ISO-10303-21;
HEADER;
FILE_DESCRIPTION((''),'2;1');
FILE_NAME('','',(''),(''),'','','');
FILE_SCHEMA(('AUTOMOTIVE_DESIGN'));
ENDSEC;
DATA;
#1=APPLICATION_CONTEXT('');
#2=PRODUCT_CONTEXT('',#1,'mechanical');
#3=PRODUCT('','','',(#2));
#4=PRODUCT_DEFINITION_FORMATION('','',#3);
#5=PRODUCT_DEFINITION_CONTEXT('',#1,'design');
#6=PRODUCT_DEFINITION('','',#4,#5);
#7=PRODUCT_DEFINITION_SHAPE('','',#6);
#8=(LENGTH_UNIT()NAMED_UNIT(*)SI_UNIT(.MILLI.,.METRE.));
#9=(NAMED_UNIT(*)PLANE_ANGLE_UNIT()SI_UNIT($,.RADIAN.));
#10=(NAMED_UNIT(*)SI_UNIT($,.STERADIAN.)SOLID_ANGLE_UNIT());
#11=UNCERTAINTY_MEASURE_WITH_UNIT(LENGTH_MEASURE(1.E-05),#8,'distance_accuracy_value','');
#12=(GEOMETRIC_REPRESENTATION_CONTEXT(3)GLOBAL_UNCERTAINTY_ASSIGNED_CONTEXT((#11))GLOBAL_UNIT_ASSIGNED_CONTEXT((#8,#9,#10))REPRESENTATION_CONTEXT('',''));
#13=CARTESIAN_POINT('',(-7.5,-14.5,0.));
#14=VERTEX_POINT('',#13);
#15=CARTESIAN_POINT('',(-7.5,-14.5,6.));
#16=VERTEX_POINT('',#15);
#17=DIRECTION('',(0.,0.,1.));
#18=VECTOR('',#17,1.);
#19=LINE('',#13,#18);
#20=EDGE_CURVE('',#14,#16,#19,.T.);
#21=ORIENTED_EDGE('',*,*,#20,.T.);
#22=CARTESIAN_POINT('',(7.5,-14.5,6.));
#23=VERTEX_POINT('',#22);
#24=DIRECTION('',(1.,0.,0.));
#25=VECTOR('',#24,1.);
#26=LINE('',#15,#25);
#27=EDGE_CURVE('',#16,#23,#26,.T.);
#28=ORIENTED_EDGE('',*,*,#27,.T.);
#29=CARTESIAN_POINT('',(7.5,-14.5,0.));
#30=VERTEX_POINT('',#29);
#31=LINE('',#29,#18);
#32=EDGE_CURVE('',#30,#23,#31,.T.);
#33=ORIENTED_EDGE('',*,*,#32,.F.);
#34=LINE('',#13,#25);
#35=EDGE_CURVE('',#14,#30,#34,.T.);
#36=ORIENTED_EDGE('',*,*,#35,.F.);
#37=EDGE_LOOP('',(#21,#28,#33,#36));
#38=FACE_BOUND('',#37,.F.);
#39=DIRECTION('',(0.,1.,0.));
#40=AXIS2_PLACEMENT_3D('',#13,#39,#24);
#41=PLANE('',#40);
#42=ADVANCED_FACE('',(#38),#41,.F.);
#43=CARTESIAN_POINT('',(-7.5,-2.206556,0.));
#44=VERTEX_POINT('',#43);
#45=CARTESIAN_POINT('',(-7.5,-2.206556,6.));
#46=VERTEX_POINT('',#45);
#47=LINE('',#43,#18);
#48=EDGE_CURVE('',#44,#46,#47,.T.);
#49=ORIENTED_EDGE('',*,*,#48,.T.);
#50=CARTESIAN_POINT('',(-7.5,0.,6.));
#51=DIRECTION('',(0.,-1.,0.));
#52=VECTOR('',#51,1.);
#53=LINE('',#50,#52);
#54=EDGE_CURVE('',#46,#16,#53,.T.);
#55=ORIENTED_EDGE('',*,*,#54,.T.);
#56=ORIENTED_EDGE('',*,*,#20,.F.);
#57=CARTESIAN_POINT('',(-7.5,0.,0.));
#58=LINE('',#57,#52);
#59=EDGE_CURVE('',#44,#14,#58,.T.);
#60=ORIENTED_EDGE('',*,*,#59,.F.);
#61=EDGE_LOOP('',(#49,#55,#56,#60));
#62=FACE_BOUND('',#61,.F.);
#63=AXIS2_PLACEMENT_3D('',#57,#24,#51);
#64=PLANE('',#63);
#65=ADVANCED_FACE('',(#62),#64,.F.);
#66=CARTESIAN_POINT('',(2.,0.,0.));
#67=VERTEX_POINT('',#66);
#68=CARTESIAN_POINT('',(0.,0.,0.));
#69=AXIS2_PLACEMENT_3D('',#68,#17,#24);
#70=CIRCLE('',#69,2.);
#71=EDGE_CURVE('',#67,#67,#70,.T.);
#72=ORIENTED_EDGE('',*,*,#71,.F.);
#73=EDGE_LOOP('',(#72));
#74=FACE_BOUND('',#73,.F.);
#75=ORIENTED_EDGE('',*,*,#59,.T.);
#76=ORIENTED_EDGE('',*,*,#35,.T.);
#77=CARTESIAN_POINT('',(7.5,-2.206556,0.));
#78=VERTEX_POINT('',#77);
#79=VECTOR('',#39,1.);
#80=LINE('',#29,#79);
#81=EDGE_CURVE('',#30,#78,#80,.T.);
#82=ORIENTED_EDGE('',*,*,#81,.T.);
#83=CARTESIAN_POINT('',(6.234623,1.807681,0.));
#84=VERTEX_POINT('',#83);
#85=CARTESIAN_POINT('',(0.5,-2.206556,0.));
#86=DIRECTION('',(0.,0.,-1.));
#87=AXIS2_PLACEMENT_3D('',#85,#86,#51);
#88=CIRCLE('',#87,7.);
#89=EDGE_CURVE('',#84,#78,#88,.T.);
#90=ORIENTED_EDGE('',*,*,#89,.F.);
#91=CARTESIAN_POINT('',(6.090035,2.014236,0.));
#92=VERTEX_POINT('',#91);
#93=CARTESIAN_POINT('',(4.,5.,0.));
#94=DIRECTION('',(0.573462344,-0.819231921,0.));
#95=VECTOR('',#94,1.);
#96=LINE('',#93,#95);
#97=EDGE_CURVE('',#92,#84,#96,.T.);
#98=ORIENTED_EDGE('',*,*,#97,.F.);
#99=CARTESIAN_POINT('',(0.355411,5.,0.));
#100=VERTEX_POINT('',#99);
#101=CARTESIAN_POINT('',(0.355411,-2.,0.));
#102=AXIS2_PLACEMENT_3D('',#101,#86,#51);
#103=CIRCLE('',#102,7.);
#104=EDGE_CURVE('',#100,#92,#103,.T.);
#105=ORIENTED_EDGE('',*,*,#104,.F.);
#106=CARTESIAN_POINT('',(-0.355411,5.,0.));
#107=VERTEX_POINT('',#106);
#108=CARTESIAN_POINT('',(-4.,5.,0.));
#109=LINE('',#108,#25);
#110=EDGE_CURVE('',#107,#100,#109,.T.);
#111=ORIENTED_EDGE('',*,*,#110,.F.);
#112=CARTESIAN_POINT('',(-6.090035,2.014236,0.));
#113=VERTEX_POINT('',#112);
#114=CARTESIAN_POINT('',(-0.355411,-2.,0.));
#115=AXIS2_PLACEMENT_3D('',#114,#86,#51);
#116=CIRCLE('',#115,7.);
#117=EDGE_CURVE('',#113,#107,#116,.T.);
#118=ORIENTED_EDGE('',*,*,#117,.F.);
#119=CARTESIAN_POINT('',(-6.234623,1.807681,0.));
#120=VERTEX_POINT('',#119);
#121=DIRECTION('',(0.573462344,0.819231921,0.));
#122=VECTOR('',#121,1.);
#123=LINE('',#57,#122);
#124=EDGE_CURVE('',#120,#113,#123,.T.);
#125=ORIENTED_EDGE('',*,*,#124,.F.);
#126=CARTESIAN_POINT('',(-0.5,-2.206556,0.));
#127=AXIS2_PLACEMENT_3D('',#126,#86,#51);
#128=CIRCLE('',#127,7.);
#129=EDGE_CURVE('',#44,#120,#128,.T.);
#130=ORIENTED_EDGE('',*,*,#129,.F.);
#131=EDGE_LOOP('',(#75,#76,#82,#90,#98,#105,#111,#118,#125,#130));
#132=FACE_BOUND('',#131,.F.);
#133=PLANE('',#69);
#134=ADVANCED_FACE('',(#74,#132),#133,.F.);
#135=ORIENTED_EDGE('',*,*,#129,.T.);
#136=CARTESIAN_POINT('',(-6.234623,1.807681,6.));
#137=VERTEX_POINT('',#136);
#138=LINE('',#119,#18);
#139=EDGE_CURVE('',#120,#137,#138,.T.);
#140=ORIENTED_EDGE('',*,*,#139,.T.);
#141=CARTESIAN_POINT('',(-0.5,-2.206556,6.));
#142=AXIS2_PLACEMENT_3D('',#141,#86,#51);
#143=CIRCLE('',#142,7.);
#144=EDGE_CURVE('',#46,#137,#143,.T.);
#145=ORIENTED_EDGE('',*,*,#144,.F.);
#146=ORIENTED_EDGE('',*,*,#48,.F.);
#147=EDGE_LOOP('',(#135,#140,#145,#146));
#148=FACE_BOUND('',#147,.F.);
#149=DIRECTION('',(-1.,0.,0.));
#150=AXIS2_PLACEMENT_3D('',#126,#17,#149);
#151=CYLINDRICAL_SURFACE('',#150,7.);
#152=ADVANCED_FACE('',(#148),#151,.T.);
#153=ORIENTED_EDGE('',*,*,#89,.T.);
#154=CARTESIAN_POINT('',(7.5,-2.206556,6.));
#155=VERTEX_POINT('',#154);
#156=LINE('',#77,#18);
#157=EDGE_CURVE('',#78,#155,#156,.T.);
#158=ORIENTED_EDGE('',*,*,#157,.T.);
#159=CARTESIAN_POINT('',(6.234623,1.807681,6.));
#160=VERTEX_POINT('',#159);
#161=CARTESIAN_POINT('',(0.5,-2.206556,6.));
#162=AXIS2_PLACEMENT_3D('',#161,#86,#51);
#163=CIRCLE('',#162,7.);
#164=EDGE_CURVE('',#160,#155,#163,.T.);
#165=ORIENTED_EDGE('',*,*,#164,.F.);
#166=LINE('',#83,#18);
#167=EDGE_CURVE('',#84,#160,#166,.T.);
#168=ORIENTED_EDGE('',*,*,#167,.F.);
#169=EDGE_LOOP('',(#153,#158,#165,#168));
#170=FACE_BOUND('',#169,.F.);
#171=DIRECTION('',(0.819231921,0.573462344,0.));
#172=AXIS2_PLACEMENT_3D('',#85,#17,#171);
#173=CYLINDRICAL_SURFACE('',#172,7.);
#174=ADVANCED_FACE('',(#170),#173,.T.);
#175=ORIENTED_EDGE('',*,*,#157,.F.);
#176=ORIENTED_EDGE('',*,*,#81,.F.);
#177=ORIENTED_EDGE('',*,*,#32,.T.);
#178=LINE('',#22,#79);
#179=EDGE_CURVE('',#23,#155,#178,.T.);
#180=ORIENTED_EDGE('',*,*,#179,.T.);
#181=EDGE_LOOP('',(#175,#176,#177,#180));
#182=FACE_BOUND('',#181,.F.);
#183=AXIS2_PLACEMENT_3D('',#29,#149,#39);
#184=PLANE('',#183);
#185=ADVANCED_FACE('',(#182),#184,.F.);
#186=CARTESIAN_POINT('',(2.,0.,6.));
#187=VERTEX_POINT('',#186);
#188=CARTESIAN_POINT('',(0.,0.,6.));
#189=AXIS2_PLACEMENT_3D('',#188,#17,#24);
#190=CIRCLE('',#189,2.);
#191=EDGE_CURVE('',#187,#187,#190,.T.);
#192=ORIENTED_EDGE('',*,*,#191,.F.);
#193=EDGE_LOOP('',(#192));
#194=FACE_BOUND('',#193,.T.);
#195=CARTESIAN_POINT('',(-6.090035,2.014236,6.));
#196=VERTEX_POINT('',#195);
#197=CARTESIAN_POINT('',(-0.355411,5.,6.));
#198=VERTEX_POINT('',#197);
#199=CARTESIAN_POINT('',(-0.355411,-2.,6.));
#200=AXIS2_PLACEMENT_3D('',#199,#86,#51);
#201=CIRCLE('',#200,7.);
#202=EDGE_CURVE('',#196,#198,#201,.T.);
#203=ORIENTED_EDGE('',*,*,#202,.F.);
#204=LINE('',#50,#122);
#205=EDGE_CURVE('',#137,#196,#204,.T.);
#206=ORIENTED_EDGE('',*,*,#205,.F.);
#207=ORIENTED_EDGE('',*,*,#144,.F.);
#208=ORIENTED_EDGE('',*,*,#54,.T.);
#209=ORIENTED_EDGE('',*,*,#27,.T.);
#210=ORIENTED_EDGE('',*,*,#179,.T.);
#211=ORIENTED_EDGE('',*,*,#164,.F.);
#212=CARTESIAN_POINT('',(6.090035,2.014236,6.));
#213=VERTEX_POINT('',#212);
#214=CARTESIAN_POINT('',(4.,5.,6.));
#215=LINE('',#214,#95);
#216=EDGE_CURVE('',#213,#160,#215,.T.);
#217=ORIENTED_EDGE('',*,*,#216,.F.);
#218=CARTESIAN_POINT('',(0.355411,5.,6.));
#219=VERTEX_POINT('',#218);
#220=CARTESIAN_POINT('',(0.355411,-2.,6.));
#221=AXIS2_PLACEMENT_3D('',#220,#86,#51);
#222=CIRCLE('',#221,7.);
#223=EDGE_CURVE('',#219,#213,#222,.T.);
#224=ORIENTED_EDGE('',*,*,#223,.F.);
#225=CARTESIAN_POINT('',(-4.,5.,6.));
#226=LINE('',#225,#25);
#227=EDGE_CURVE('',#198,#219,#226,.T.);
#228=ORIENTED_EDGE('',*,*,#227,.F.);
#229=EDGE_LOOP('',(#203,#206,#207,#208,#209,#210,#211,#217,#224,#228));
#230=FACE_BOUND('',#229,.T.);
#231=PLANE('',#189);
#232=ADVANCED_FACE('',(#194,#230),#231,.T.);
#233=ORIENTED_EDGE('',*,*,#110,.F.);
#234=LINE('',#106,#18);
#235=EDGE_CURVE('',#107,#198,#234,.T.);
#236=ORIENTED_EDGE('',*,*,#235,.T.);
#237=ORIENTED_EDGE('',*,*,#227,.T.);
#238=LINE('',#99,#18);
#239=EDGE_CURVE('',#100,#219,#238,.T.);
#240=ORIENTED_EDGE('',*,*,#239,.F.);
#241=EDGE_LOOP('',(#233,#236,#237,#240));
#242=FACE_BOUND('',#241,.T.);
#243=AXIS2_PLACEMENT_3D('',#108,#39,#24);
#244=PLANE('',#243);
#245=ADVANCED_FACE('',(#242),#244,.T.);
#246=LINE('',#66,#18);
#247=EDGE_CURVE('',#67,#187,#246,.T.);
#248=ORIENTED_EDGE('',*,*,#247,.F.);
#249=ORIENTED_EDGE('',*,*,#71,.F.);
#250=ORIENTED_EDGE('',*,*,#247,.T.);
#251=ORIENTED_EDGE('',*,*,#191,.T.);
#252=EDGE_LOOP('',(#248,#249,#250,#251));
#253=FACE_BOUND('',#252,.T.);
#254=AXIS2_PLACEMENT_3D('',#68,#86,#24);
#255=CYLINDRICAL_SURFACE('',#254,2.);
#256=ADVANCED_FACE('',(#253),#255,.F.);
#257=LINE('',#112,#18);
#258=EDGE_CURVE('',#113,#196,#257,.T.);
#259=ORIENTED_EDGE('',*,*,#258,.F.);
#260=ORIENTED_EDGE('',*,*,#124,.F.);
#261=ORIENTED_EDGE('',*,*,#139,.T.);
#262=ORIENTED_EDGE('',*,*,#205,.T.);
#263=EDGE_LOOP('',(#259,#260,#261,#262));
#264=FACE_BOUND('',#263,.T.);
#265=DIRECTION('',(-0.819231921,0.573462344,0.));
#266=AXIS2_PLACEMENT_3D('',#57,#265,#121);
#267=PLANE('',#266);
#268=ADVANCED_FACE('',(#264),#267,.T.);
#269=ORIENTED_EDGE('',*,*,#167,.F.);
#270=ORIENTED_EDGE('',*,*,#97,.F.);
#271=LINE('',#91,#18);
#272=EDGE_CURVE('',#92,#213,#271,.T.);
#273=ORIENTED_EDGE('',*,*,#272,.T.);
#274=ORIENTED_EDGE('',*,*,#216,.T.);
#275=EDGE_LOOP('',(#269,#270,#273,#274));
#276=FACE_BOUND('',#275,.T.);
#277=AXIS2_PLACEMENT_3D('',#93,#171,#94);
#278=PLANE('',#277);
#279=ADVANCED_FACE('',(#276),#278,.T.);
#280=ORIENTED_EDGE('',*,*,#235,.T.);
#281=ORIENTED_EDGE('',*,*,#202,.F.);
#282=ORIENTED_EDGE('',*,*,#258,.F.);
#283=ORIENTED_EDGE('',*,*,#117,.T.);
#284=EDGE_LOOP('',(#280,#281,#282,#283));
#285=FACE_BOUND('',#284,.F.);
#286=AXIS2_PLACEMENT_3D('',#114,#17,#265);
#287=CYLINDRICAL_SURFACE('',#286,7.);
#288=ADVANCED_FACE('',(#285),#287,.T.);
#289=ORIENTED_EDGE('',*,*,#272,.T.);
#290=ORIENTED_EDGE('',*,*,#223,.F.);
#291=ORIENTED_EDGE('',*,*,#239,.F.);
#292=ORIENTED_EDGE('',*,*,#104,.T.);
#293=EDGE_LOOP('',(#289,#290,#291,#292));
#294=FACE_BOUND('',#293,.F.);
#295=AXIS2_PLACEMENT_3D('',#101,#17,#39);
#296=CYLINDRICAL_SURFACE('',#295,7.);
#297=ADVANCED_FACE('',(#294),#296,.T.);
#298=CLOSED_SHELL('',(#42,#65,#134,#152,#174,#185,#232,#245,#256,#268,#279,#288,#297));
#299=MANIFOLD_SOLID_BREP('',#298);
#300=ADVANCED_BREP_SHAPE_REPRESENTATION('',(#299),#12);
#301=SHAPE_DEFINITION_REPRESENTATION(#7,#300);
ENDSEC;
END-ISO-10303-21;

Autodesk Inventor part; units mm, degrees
ref_plane "YZ Plane" through (0, 0, 0) normal (1, 0, 0) x (0, 1, 0)
ref_plane "XZ Plane" through (0, 0, 0) normal (0, 1, 0) x (-1, 0, 0)
ref_plane "XY Plane" through (0, 0, 0) normal (0, 0, 1) x (1, 0, 0)
sketch "Эскиз1" plane through (0, 0, 0) normal (0, 0, 1) x (1, 0, 0)
  circle A0 centre (0, 0) radius 2
  line L0 (-7.5, -14.5) -> (7.5, -14.5)
  line L1 (7.5, -14.5) -> (7.5, 0)
  line L2 (7.5, 0) -> (-7.5, 0) construction
  line L3 (-7.5, 0) -> (-7.5, -14.5)
  line L4 (0, -18.7) -> (0, 10.7) construction
  circle A1 centre (0, 0) radius 6.5 construction
  line L5 (-7.5, 0) -> (-4, 5)
  line L6 (-4, 5) -> (4, 5)
  line L7 (4, 5) -> (7.5, 0)
  point P0 (0, 5)
  point P1 (0, -14.5)
  dimension "d0" = 4
  dimension "d6" = 13
  dimension "d8" = 8
  dimension "d11" = 15
  dimension "d12" = 5
  dimension "d13" = 14.5
extrude "Выдавливание1" add sketch "Эскиз1" along normal blind 6
fillet "Сопряжение1" radius 7 4 edges at (-7.5, 0, 3) (-4, 5, 3) (4, 5, 3) (7.5, 0, 3)
properties part number "Крепление шкива"
